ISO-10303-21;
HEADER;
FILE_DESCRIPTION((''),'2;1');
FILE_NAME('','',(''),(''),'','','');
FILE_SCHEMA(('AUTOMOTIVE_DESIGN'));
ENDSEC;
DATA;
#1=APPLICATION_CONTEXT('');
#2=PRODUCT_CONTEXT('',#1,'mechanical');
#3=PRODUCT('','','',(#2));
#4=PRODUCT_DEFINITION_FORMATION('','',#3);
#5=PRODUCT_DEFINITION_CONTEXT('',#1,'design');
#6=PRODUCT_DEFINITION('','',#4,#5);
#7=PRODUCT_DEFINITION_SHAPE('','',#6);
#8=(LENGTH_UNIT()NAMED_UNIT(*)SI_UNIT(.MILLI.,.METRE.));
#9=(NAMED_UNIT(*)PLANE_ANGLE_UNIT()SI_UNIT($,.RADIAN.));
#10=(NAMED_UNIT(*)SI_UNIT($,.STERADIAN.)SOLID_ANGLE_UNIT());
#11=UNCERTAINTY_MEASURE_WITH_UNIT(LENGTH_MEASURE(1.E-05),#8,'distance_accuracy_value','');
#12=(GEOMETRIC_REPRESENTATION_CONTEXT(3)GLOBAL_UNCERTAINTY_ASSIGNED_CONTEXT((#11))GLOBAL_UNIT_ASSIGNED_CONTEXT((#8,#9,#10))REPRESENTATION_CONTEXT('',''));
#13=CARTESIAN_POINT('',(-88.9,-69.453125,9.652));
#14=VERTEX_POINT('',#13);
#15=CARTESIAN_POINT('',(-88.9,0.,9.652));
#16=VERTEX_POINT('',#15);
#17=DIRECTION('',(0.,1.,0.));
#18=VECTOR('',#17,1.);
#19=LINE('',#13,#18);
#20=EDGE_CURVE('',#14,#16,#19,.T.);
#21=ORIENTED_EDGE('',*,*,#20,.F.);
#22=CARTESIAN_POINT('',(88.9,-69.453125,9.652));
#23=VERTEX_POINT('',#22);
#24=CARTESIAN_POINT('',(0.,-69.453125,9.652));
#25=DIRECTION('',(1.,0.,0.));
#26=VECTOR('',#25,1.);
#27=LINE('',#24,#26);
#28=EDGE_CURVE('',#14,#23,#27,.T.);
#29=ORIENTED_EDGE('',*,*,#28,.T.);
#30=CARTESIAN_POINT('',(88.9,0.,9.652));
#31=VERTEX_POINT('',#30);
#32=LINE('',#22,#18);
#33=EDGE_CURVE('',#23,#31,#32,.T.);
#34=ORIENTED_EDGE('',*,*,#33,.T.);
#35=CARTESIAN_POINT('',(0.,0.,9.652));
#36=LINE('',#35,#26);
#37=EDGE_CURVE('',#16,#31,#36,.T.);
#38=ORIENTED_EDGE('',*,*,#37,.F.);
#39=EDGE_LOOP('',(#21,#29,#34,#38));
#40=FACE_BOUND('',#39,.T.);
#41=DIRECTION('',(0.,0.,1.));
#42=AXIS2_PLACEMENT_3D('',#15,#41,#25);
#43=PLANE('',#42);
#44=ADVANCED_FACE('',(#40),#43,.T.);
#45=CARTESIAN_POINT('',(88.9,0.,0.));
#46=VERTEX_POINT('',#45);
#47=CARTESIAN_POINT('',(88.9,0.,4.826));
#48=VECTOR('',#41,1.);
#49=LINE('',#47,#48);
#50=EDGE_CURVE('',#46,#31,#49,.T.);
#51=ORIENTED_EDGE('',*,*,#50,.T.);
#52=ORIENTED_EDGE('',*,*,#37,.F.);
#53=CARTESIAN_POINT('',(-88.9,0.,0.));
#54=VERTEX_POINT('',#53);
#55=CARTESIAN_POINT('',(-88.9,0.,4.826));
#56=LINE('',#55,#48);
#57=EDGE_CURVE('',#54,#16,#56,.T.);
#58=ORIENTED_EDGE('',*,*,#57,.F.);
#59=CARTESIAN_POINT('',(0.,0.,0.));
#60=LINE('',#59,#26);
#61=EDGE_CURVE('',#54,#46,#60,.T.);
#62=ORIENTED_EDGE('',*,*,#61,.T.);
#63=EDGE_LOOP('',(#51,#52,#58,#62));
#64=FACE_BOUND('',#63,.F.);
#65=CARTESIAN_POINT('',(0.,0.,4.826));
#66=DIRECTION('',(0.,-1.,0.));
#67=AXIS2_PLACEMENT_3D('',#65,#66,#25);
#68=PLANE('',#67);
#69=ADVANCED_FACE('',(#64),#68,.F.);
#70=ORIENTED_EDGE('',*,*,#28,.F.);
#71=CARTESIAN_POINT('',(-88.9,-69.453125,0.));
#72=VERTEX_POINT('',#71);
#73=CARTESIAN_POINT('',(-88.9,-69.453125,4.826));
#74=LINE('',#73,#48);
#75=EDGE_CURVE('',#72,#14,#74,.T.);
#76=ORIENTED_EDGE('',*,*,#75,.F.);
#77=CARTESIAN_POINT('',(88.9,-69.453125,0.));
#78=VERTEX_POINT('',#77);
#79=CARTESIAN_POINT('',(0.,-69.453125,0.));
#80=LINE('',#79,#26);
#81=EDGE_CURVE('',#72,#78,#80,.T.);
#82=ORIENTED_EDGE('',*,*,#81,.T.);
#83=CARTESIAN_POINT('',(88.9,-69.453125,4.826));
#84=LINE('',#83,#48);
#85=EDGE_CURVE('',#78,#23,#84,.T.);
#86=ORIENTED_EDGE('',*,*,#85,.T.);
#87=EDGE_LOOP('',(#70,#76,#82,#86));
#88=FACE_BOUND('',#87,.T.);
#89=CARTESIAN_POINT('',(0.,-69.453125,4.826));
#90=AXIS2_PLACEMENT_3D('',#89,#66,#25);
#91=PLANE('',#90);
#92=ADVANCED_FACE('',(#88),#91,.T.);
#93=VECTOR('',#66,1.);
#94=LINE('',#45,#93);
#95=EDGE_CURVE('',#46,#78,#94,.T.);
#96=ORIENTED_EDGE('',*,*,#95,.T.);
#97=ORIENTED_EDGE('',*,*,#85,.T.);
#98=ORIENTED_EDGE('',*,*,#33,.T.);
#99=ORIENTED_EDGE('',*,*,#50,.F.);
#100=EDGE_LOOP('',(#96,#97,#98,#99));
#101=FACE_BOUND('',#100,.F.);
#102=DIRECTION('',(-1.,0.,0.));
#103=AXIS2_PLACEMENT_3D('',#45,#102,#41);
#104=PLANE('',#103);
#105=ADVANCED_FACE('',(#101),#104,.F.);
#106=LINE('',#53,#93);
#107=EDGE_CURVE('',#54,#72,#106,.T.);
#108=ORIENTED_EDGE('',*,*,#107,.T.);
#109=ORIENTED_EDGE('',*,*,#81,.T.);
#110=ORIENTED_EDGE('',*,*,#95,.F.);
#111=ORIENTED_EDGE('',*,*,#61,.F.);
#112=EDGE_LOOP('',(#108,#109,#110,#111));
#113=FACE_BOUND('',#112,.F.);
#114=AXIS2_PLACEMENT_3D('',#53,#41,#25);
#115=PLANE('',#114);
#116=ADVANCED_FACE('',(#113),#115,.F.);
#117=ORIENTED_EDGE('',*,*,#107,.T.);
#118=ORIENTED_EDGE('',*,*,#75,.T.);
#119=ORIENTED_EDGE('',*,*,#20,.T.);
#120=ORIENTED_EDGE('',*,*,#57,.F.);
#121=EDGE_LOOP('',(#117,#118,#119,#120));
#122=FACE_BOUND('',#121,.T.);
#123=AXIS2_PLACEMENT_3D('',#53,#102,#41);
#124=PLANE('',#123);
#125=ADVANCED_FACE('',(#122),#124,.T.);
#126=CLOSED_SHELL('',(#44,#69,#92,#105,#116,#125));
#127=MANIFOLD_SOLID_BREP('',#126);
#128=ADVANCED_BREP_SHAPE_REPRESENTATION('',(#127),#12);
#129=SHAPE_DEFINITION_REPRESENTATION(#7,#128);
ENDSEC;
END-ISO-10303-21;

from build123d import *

# Parameters (mm, degrees)
F0_W     = 177.8
F0_H     = 9.652
F1_DEPTH = 25.4
F2_DEPTH = 69.453125


with BuildPart() as f1:
    # F0 (on Front) → F1 (new body)
    with BuildSketch(Plane.XZ):
        with Locations((0, 4.826)):
            Rectangle(F0_W, F0_H)
    extrude(amount=F1_DEPTH)

    # F0 (on Front) → F2 (join)
    with BuildSketch(Plane.XZ):
        with Locations((0, 4.826)):
            Rectangle(F0_W, F0_H)
    extrude(amount=F2_DEPTH)


solid = f1.part
